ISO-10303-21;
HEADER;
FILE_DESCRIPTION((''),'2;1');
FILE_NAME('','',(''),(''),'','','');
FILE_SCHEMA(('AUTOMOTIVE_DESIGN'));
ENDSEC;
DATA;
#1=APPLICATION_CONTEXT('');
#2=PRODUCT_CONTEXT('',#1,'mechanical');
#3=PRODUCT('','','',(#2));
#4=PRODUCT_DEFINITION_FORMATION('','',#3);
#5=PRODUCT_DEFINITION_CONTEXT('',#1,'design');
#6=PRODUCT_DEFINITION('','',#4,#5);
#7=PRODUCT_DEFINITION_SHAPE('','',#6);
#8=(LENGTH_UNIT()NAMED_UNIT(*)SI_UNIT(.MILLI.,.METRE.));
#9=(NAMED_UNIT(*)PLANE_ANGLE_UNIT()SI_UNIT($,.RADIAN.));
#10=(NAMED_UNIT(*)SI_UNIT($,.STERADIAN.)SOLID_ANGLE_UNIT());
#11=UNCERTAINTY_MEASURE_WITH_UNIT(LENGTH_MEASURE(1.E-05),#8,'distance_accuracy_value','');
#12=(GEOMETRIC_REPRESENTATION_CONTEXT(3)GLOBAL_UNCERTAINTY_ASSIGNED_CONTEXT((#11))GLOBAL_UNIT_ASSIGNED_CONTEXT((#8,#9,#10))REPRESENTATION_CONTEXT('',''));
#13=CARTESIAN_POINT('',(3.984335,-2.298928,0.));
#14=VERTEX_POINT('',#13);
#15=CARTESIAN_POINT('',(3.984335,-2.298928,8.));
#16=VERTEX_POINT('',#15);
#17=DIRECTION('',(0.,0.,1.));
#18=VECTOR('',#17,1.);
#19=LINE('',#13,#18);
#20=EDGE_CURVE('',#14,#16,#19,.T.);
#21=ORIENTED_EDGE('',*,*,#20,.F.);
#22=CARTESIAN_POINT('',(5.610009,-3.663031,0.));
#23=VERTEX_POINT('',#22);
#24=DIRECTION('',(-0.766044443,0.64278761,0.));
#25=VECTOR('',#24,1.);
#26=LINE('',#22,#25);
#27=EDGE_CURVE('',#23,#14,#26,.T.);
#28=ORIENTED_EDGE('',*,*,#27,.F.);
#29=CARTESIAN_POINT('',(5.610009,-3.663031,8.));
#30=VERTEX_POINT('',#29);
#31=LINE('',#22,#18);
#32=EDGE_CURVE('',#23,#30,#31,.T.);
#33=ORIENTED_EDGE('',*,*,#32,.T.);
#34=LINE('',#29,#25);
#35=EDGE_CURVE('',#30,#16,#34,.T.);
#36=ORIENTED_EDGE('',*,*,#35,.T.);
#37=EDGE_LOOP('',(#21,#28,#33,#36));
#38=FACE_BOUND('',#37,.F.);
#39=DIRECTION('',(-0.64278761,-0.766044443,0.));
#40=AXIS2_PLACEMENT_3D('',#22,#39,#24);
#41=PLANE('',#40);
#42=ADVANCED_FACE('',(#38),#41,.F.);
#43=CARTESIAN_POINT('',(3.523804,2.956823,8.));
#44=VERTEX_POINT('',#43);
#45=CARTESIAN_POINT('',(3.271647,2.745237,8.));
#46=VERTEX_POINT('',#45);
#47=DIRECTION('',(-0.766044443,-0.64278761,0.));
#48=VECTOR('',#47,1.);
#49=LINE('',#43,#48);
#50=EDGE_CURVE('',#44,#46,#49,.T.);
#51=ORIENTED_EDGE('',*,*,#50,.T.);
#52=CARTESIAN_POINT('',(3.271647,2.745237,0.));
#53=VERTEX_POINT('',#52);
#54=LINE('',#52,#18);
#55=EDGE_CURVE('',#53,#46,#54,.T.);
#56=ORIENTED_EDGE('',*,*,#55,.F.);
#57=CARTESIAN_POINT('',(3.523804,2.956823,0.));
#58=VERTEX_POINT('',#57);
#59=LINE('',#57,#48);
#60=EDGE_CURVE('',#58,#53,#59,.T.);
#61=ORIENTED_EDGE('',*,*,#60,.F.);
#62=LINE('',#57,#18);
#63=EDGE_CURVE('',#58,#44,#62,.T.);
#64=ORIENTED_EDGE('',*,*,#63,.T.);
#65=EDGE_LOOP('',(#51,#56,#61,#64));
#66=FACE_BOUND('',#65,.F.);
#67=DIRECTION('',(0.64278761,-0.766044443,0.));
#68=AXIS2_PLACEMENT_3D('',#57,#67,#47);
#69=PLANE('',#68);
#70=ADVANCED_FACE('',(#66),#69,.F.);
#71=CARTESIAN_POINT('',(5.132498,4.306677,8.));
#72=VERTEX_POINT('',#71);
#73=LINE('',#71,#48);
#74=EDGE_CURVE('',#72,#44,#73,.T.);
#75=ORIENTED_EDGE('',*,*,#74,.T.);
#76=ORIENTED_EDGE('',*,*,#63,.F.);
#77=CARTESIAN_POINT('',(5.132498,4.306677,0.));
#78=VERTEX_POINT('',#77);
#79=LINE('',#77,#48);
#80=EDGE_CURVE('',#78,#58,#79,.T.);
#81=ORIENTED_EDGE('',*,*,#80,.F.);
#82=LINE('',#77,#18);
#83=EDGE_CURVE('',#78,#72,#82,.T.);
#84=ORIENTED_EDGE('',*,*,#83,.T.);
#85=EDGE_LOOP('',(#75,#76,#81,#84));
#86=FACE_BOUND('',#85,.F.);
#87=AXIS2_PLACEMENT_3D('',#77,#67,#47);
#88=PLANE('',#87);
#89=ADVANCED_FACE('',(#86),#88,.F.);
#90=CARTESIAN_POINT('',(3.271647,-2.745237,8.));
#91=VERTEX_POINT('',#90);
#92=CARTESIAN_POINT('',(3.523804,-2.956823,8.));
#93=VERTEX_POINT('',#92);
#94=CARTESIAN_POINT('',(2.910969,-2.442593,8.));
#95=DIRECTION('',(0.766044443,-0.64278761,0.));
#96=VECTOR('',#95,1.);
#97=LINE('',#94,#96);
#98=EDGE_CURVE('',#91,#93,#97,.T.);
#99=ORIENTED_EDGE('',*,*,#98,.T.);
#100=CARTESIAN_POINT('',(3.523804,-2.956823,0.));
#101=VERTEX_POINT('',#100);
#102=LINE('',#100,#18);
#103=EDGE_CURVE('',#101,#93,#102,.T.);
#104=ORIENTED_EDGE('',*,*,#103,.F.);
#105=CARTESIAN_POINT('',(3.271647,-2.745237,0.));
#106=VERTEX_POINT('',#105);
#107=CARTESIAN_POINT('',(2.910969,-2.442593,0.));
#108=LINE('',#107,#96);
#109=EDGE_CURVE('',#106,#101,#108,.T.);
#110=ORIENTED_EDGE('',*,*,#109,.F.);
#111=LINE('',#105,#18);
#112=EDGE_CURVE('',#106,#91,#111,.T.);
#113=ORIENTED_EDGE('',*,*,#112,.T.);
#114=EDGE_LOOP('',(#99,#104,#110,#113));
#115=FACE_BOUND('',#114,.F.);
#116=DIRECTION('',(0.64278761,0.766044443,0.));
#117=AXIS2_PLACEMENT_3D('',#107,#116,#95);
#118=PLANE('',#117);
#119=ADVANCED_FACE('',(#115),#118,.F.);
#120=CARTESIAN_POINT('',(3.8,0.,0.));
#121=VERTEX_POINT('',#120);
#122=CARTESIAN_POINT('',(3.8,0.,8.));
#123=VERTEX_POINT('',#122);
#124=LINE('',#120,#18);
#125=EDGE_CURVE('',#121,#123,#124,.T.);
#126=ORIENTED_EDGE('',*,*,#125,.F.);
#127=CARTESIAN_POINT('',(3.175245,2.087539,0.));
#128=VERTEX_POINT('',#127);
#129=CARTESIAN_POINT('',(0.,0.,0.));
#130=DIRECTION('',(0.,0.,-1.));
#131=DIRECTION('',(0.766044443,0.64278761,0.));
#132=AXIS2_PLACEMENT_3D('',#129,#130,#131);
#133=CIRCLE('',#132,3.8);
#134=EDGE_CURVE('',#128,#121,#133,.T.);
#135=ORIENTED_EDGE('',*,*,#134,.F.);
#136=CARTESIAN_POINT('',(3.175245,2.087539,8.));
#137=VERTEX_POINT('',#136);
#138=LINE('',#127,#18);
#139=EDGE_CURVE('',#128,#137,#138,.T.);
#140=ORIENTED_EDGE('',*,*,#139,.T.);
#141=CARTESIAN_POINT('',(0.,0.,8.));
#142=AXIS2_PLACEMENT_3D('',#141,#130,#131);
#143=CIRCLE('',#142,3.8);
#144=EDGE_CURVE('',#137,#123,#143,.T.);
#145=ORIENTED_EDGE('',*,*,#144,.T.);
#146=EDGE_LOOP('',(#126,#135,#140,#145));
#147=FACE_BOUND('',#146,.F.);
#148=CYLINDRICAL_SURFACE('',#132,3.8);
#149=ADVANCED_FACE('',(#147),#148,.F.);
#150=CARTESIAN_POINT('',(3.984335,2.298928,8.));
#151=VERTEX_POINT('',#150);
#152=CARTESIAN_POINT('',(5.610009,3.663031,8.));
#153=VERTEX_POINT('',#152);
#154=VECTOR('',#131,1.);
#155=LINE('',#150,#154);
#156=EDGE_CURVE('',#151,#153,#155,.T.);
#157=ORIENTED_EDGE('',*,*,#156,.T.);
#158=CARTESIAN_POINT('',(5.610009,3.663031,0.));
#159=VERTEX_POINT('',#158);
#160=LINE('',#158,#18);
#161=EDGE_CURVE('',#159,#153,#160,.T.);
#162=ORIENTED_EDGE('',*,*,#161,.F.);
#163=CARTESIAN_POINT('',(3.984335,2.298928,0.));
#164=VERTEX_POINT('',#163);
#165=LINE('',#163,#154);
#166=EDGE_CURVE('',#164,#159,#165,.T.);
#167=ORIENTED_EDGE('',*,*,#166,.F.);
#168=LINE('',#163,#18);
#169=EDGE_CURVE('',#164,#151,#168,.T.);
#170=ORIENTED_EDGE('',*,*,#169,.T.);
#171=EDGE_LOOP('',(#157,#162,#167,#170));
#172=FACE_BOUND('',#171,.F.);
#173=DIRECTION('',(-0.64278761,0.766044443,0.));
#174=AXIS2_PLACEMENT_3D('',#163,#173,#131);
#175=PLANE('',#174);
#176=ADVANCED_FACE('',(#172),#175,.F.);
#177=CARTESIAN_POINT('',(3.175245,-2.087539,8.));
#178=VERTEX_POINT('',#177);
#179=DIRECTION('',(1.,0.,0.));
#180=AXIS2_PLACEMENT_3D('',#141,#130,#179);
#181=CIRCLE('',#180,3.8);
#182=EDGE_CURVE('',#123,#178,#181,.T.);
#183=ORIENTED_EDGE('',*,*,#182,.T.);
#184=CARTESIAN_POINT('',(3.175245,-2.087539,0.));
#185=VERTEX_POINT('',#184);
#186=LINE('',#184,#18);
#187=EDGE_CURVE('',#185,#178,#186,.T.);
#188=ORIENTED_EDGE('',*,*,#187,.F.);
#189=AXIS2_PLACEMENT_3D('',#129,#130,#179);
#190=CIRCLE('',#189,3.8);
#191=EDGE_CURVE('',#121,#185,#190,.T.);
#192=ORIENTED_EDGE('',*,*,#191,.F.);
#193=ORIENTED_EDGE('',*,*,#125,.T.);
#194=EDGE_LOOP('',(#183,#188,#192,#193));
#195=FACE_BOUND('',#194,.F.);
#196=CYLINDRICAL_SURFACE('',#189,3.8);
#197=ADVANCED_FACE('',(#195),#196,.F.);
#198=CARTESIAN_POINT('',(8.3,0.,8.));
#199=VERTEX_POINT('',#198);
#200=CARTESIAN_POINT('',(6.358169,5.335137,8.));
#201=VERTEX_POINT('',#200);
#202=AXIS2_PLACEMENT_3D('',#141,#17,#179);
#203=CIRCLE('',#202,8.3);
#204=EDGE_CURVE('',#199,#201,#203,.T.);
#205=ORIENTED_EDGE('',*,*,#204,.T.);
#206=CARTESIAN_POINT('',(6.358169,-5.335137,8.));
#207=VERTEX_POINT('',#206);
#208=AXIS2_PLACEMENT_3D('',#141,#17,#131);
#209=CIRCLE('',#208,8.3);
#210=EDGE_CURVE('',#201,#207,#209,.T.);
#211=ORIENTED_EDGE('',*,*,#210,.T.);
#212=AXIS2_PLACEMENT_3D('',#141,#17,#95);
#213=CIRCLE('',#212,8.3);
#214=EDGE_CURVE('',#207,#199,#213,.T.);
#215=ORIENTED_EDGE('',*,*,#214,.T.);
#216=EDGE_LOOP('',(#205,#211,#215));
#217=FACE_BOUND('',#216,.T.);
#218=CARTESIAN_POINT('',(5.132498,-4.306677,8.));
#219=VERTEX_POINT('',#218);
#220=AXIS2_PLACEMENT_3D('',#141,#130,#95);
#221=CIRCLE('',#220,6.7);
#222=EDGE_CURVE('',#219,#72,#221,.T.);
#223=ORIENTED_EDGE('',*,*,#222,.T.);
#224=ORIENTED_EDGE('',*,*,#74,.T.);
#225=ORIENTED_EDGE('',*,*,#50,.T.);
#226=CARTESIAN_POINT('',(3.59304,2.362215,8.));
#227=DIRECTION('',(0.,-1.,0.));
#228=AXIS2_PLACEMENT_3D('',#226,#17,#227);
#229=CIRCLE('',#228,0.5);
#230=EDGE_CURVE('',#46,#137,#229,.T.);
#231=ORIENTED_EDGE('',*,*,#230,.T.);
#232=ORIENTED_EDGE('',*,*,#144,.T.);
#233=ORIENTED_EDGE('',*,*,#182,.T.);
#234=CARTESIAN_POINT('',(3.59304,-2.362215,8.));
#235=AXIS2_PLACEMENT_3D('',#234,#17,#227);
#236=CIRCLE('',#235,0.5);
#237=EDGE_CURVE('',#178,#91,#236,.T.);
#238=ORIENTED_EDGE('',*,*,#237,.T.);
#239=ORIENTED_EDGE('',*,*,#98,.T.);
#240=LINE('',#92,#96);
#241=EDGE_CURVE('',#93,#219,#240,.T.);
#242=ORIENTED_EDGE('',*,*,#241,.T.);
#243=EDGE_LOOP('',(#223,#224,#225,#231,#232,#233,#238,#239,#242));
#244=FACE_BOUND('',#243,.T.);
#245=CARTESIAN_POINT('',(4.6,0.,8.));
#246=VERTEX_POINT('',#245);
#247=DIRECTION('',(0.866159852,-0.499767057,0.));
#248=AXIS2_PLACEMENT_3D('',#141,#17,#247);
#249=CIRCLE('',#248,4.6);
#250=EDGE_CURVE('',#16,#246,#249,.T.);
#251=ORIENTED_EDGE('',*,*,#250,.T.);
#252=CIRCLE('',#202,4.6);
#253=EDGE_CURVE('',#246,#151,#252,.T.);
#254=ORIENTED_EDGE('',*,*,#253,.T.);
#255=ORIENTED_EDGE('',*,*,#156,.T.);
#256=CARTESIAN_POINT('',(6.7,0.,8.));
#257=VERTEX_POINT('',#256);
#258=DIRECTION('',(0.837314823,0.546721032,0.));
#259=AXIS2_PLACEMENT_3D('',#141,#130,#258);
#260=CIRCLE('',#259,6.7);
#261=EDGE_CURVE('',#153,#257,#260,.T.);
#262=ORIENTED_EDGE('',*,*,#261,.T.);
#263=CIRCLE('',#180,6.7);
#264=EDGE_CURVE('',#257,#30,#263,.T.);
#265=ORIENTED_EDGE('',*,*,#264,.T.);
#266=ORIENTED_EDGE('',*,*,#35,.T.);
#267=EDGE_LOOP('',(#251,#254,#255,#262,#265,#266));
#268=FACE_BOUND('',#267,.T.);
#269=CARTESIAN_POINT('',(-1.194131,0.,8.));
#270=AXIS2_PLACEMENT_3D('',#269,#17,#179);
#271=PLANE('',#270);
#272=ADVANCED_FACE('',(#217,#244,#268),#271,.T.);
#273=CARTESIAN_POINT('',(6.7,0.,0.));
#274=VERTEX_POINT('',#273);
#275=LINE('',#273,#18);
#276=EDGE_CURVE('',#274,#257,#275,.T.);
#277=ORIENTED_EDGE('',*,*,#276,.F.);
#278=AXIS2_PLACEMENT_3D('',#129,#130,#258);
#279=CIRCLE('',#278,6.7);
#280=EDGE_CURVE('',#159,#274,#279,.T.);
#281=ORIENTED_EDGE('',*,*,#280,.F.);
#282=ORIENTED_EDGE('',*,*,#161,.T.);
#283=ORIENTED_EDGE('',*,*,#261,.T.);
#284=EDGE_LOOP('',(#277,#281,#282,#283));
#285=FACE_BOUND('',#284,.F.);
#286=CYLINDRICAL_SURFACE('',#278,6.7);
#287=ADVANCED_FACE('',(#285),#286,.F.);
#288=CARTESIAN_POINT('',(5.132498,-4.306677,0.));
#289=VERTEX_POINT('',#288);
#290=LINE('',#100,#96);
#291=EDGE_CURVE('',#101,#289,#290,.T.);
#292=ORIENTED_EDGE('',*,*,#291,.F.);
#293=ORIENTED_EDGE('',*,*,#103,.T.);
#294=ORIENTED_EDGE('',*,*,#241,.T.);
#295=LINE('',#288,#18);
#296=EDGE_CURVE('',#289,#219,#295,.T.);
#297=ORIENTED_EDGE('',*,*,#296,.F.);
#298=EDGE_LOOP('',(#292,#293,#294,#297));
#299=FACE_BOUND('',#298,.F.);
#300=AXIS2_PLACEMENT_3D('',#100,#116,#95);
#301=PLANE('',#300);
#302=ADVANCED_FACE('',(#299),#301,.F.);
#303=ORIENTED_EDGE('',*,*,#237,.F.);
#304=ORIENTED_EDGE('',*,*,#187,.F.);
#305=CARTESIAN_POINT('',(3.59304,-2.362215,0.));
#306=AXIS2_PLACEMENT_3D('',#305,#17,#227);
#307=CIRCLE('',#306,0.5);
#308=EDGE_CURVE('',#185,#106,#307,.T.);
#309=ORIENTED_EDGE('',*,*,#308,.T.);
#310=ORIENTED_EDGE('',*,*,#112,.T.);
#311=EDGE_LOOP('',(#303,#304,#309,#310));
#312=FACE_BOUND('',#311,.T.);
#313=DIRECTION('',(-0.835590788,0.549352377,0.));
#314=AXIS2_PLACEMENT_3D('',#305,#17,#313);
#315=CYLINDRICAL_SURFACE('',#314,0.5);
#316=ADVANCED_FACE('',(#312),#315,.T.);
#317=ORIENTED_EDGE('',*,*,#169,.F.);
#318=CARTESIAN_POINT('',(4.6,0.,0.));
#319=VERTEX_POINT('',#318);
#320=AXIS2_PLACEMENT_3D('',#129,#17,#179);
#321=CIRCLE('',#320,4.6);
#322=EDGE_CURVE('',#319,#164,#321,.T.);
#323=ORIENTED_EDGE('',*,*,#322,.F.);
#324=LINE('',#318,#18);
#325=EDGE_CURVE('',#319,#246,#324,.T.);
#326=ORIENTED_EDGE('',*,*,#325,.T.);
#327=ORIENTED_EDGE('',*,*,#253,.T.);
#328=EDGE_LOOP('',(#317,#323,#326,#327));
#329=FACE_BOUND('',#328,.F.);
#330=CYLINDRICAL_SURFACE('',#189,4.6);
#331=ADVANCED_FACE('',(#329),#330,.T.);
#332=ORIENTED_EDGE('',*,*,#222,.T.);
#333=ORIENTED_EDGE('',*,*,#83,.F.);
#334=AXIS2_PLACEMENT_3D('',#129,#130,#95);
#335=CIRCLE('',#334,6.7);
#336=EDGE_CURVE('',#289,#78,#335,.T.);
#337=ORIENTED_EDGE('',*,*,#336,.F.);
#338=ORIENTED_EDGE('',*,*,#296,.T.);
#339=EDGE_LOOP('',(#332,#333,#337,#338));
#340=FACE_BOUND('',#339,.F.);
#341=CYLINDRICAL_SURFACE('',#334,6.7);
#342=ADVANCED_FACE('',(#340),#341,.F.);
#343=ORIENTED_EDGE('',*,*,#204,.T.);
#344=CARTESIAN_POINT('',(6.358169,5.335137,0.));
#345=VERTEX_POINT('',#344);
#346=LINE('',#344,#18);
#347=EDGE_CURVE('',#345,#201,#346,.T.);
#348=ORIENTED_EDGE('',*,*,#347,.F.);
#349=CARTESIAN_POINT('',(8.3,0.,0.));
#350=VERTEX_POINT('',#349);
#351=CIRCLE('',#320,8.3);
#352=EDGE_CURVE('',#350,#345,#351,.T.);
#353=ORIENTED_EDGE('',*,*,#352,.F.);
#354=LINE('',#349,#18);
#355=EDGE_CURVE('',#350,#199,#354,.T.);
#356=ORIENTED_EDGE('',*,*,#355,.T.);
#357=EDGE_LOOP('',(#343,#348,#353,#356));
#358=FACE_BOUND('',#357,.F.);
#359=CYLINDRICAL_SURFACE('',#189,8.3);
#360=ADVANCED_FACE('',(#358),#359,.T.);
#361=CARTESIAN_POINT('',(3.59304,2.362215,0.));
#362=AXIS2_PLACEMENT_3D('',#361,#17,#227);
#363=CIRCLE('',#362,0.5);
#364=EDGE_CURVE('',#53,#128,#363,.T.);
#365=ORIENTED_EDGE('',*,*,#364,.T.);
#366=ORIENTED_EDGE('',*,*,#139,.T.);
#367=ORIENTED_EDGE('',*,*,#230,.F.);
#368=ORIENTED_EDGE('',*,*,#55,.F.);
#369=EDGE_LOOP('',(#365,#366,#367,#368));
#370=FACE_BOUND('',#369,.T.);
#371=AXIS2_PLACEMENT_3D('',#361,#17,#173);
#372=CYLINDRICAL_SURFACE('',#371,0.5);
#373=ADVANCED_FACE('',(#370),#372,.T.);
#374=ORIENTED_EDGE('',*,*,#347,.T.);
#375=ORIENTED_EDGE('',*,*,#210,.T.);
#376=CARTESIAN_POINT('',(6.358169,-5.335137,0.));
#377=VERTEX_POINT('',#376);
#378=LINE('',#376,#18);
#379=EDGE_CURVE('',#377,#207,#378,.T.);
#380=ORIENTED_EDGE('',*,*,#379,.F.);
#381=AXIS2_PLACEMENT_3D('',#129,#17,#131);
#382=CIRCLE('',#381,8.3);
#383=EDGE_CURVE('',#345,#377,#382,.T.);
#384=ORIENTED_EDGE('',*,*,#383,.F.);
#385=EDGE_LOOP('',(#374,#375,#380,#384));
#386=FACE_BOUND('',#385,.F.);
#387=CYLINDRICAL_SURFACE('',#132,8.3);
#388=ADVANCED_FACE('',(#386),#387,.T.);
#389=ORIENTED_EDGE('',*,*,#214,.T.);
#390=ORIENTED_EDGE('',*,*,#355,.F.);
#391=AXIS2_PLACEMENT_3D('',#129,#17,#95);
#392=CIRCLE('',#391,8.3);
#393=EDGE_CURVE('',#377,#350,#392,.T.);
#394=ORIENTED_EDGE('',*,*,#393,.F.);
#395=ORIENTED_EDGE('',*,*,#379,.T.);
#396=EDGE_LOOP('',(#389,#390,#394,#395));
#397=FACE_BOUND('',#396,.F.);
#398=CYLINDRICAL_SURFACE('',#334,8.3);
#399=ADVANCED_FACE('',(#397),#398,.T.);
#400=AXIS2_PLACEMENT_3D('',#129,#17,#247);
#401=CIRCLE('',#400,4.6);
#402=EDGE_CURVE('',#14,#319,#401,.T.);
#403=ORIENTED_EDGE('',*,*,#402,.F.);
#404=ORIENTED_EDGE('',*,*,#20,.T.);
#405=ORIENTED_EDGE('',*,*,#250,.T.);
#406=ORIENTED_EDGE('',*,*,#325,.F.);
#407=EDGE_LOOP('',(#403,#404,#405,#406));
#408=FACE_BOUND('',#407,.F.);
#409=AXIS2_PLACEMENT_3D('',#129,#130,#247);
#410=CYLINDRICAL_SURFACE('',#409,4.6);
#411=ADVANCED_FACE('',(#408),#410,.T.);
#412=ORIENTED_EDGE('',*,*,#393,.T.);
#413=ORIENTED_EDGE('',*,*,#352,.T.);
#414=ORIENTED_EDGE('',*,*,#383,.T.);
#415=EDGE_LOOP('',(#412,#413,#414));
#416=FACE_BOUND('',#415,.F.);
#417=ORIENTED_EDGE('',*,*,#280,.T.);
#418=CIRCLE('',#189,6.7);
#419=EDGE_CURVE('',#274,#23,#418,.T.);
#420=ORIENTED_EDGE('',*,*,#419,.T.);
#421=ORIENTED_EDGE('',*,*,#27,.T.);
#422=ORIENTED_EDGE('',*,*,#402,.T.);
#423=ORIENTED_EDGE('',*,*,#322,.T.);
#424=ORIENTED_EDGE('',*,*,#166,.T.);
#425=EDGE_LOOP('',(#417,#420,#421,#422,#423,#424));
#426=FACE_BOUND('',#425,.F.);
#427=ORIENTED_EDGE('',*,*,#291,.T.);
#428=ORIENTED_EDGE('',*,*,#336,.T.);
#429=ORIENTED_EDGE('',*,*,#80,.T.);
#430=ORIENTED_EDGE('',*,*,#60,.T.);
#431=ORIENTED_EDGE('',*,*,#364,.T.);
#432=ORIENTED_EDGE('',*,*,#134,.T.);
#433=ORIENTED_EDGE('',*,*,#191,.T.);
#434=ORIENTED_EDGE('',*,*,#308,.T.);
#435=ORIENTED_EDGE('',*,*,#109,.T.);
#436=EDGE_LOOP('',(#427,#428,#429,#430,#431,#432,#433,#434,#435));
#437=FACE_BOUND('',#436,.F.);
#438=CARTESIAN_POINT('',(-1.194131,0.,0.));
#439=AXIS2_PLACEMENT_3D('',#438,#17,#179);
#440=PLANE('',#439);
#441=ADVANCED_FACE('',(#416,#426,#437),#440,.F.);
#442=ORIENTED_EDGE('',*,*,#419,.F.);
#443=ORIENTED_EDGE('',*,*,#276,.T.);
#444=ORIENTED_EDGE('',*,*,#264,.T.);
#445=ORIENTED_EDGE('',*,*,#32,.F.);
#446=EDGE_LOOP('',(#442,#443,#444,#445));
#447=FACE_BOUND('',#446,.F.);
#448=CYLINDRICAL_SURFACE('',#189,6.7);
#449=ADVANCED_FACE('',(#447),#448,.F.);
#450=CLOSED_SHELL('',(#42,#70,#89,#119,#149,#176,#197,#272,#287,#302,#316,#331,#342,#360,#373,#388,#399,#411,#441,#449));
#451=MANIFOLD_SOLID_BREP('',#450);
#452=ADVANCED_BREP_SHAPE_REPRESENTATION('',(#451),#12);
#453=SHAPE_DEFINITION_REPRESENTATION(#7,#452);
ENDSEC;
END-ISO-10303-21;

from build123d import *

# Parameters (mm, degrees)
F1_DEPTH = 8
F2_R     = 0.5


with BuildPart() as f1:
    # F0 (on Top) → F1 (new body)
    with BuildSketch(Plane.XY):
        with BuildLine():
            ThreePointArc((5.1324977689, -4.3066769849), (-6.7, 0), (5.1324977689, 4.3066769849))
            Line((5.1324977689, 4.3066769849), (6.3581688779, 5.3351371604))
            ThreePointArc((6.3581688779, 5.3351371604), (-8.3, 0), (6.3581688779, -5.3351371604))
            Line((6.3581688779, -5.3351371604), (5.1324977689, -4.3066769849))
        make_face()
        with BuildLine():
            Line((6.3581688779, 5.3351371604), (5.1324977689, 4.3066769849))
            ThreePointArc((5.1324977689, 4.3066769849), (5.3808860494, 3.9920001658), (5.6100093148, 3.6630309155))
            ThreePointArc((5.6100093148, 3.6630309155), (6.4217233828, 1.9108816801), (6.7, 0))
            ThreePointArc((6.7, 0), (6.4217233828, -1.9108816801), (5.6100093148, -3.6630309155))
            ThreePointArc((5.6100093148, -3.6630309155), (5.3808860494, -3.9920001658), (5.1324977689, -4.3066769849))
            Line((5.1324977689, -4.3066769849), (6.3581688779, -5.3351371604))
            ThreePointArc((6.3581688779, -5.3351371604), (7.7994487525, -2.8387671896), (8.3, 0))
            ThreePointArc((8.3, 0), (7.7994487525, 2.8387671896), (6.3581688779, 5.3351371604))
        make_face()
        with BuildLine():
            Line((5.1324977689, 4.3066769849), (3.5238044383, 2.9568230046))
            ThreePointArc((3.5238044383, 2.9568230046), (3.7684541862, 2.6379448528), (3.9843353171, 2.2989284636))
            Line((3.9843353171, 2.2989284636), (5.6100093148, 3.6630309155))
            ThreePointArc((5.6100093148, 3.6630309155), (5.3808860494, 3.9920001658), (5.1324977689, 4.3066769849))
        make_face()
        with BuildLine():
            ThreePointArc((2.9109688839, 2.4425929168), (3.570831959, 1.2996765446), (3.8, 0))
            ThreePointArc((3.8, 0), (3.570831959, -1.2996765446), (2.9109688839, -2.4425929168))
            Line((2.9109688839, -2.4425929168), (3.5238044383, -2.9568230046))
            ThreePointArc((3.5238044383, -2.9568230046), (3.7684541862, -2.6379448528), (3.9843353171, -2.2989284636))
            ThreePointArc((3.9843353171, -2.2989284636), (4.4434188672, -1.1899700713), (4.6, 0))
            ThreePointArc((4.6, 0), (4.4434188672, 1.1899700713), (3.9843353171, 2.2989284636))
            ThreePointArc((3.9843353171, 2.2989284636), (3.7684541862, 2.6379448528), (3.5238044383, 2.9568230046))
            Line((3.5238044383, 2.9568230046), (2.9109688839, 2.4425929168))
        make_face()
        with BuildLine():
            ThreePointArc((3.9843353171, -2.2989284636), (3.7684541862, -2.6379448528), (3.5238044383, -2.9568230046))
            Line((3.5238044383, -2.9568230046), (5.1324977689, -4.3066769849))
            ThreePointArc((5.1324977689, -4.3066769849), (5.3808860494, -3.9920001658), (5.6100093148, -3.6630309155))
            Line((5.6100093148, -3.6630309155), (3.9843353171, -2.2989284636))
        make_face()
    extrude(amount=F1_DEPTH)

    # F2
    f2_edges = [f1.edges().sort_by_distance(p)[0] for p in [
        (2.910969, 2.442593, 4),
        (2.910969, -2.442593, 4),
    ]]
    fillet(f2_edges, radius=F2_R)


solid = f1.part
